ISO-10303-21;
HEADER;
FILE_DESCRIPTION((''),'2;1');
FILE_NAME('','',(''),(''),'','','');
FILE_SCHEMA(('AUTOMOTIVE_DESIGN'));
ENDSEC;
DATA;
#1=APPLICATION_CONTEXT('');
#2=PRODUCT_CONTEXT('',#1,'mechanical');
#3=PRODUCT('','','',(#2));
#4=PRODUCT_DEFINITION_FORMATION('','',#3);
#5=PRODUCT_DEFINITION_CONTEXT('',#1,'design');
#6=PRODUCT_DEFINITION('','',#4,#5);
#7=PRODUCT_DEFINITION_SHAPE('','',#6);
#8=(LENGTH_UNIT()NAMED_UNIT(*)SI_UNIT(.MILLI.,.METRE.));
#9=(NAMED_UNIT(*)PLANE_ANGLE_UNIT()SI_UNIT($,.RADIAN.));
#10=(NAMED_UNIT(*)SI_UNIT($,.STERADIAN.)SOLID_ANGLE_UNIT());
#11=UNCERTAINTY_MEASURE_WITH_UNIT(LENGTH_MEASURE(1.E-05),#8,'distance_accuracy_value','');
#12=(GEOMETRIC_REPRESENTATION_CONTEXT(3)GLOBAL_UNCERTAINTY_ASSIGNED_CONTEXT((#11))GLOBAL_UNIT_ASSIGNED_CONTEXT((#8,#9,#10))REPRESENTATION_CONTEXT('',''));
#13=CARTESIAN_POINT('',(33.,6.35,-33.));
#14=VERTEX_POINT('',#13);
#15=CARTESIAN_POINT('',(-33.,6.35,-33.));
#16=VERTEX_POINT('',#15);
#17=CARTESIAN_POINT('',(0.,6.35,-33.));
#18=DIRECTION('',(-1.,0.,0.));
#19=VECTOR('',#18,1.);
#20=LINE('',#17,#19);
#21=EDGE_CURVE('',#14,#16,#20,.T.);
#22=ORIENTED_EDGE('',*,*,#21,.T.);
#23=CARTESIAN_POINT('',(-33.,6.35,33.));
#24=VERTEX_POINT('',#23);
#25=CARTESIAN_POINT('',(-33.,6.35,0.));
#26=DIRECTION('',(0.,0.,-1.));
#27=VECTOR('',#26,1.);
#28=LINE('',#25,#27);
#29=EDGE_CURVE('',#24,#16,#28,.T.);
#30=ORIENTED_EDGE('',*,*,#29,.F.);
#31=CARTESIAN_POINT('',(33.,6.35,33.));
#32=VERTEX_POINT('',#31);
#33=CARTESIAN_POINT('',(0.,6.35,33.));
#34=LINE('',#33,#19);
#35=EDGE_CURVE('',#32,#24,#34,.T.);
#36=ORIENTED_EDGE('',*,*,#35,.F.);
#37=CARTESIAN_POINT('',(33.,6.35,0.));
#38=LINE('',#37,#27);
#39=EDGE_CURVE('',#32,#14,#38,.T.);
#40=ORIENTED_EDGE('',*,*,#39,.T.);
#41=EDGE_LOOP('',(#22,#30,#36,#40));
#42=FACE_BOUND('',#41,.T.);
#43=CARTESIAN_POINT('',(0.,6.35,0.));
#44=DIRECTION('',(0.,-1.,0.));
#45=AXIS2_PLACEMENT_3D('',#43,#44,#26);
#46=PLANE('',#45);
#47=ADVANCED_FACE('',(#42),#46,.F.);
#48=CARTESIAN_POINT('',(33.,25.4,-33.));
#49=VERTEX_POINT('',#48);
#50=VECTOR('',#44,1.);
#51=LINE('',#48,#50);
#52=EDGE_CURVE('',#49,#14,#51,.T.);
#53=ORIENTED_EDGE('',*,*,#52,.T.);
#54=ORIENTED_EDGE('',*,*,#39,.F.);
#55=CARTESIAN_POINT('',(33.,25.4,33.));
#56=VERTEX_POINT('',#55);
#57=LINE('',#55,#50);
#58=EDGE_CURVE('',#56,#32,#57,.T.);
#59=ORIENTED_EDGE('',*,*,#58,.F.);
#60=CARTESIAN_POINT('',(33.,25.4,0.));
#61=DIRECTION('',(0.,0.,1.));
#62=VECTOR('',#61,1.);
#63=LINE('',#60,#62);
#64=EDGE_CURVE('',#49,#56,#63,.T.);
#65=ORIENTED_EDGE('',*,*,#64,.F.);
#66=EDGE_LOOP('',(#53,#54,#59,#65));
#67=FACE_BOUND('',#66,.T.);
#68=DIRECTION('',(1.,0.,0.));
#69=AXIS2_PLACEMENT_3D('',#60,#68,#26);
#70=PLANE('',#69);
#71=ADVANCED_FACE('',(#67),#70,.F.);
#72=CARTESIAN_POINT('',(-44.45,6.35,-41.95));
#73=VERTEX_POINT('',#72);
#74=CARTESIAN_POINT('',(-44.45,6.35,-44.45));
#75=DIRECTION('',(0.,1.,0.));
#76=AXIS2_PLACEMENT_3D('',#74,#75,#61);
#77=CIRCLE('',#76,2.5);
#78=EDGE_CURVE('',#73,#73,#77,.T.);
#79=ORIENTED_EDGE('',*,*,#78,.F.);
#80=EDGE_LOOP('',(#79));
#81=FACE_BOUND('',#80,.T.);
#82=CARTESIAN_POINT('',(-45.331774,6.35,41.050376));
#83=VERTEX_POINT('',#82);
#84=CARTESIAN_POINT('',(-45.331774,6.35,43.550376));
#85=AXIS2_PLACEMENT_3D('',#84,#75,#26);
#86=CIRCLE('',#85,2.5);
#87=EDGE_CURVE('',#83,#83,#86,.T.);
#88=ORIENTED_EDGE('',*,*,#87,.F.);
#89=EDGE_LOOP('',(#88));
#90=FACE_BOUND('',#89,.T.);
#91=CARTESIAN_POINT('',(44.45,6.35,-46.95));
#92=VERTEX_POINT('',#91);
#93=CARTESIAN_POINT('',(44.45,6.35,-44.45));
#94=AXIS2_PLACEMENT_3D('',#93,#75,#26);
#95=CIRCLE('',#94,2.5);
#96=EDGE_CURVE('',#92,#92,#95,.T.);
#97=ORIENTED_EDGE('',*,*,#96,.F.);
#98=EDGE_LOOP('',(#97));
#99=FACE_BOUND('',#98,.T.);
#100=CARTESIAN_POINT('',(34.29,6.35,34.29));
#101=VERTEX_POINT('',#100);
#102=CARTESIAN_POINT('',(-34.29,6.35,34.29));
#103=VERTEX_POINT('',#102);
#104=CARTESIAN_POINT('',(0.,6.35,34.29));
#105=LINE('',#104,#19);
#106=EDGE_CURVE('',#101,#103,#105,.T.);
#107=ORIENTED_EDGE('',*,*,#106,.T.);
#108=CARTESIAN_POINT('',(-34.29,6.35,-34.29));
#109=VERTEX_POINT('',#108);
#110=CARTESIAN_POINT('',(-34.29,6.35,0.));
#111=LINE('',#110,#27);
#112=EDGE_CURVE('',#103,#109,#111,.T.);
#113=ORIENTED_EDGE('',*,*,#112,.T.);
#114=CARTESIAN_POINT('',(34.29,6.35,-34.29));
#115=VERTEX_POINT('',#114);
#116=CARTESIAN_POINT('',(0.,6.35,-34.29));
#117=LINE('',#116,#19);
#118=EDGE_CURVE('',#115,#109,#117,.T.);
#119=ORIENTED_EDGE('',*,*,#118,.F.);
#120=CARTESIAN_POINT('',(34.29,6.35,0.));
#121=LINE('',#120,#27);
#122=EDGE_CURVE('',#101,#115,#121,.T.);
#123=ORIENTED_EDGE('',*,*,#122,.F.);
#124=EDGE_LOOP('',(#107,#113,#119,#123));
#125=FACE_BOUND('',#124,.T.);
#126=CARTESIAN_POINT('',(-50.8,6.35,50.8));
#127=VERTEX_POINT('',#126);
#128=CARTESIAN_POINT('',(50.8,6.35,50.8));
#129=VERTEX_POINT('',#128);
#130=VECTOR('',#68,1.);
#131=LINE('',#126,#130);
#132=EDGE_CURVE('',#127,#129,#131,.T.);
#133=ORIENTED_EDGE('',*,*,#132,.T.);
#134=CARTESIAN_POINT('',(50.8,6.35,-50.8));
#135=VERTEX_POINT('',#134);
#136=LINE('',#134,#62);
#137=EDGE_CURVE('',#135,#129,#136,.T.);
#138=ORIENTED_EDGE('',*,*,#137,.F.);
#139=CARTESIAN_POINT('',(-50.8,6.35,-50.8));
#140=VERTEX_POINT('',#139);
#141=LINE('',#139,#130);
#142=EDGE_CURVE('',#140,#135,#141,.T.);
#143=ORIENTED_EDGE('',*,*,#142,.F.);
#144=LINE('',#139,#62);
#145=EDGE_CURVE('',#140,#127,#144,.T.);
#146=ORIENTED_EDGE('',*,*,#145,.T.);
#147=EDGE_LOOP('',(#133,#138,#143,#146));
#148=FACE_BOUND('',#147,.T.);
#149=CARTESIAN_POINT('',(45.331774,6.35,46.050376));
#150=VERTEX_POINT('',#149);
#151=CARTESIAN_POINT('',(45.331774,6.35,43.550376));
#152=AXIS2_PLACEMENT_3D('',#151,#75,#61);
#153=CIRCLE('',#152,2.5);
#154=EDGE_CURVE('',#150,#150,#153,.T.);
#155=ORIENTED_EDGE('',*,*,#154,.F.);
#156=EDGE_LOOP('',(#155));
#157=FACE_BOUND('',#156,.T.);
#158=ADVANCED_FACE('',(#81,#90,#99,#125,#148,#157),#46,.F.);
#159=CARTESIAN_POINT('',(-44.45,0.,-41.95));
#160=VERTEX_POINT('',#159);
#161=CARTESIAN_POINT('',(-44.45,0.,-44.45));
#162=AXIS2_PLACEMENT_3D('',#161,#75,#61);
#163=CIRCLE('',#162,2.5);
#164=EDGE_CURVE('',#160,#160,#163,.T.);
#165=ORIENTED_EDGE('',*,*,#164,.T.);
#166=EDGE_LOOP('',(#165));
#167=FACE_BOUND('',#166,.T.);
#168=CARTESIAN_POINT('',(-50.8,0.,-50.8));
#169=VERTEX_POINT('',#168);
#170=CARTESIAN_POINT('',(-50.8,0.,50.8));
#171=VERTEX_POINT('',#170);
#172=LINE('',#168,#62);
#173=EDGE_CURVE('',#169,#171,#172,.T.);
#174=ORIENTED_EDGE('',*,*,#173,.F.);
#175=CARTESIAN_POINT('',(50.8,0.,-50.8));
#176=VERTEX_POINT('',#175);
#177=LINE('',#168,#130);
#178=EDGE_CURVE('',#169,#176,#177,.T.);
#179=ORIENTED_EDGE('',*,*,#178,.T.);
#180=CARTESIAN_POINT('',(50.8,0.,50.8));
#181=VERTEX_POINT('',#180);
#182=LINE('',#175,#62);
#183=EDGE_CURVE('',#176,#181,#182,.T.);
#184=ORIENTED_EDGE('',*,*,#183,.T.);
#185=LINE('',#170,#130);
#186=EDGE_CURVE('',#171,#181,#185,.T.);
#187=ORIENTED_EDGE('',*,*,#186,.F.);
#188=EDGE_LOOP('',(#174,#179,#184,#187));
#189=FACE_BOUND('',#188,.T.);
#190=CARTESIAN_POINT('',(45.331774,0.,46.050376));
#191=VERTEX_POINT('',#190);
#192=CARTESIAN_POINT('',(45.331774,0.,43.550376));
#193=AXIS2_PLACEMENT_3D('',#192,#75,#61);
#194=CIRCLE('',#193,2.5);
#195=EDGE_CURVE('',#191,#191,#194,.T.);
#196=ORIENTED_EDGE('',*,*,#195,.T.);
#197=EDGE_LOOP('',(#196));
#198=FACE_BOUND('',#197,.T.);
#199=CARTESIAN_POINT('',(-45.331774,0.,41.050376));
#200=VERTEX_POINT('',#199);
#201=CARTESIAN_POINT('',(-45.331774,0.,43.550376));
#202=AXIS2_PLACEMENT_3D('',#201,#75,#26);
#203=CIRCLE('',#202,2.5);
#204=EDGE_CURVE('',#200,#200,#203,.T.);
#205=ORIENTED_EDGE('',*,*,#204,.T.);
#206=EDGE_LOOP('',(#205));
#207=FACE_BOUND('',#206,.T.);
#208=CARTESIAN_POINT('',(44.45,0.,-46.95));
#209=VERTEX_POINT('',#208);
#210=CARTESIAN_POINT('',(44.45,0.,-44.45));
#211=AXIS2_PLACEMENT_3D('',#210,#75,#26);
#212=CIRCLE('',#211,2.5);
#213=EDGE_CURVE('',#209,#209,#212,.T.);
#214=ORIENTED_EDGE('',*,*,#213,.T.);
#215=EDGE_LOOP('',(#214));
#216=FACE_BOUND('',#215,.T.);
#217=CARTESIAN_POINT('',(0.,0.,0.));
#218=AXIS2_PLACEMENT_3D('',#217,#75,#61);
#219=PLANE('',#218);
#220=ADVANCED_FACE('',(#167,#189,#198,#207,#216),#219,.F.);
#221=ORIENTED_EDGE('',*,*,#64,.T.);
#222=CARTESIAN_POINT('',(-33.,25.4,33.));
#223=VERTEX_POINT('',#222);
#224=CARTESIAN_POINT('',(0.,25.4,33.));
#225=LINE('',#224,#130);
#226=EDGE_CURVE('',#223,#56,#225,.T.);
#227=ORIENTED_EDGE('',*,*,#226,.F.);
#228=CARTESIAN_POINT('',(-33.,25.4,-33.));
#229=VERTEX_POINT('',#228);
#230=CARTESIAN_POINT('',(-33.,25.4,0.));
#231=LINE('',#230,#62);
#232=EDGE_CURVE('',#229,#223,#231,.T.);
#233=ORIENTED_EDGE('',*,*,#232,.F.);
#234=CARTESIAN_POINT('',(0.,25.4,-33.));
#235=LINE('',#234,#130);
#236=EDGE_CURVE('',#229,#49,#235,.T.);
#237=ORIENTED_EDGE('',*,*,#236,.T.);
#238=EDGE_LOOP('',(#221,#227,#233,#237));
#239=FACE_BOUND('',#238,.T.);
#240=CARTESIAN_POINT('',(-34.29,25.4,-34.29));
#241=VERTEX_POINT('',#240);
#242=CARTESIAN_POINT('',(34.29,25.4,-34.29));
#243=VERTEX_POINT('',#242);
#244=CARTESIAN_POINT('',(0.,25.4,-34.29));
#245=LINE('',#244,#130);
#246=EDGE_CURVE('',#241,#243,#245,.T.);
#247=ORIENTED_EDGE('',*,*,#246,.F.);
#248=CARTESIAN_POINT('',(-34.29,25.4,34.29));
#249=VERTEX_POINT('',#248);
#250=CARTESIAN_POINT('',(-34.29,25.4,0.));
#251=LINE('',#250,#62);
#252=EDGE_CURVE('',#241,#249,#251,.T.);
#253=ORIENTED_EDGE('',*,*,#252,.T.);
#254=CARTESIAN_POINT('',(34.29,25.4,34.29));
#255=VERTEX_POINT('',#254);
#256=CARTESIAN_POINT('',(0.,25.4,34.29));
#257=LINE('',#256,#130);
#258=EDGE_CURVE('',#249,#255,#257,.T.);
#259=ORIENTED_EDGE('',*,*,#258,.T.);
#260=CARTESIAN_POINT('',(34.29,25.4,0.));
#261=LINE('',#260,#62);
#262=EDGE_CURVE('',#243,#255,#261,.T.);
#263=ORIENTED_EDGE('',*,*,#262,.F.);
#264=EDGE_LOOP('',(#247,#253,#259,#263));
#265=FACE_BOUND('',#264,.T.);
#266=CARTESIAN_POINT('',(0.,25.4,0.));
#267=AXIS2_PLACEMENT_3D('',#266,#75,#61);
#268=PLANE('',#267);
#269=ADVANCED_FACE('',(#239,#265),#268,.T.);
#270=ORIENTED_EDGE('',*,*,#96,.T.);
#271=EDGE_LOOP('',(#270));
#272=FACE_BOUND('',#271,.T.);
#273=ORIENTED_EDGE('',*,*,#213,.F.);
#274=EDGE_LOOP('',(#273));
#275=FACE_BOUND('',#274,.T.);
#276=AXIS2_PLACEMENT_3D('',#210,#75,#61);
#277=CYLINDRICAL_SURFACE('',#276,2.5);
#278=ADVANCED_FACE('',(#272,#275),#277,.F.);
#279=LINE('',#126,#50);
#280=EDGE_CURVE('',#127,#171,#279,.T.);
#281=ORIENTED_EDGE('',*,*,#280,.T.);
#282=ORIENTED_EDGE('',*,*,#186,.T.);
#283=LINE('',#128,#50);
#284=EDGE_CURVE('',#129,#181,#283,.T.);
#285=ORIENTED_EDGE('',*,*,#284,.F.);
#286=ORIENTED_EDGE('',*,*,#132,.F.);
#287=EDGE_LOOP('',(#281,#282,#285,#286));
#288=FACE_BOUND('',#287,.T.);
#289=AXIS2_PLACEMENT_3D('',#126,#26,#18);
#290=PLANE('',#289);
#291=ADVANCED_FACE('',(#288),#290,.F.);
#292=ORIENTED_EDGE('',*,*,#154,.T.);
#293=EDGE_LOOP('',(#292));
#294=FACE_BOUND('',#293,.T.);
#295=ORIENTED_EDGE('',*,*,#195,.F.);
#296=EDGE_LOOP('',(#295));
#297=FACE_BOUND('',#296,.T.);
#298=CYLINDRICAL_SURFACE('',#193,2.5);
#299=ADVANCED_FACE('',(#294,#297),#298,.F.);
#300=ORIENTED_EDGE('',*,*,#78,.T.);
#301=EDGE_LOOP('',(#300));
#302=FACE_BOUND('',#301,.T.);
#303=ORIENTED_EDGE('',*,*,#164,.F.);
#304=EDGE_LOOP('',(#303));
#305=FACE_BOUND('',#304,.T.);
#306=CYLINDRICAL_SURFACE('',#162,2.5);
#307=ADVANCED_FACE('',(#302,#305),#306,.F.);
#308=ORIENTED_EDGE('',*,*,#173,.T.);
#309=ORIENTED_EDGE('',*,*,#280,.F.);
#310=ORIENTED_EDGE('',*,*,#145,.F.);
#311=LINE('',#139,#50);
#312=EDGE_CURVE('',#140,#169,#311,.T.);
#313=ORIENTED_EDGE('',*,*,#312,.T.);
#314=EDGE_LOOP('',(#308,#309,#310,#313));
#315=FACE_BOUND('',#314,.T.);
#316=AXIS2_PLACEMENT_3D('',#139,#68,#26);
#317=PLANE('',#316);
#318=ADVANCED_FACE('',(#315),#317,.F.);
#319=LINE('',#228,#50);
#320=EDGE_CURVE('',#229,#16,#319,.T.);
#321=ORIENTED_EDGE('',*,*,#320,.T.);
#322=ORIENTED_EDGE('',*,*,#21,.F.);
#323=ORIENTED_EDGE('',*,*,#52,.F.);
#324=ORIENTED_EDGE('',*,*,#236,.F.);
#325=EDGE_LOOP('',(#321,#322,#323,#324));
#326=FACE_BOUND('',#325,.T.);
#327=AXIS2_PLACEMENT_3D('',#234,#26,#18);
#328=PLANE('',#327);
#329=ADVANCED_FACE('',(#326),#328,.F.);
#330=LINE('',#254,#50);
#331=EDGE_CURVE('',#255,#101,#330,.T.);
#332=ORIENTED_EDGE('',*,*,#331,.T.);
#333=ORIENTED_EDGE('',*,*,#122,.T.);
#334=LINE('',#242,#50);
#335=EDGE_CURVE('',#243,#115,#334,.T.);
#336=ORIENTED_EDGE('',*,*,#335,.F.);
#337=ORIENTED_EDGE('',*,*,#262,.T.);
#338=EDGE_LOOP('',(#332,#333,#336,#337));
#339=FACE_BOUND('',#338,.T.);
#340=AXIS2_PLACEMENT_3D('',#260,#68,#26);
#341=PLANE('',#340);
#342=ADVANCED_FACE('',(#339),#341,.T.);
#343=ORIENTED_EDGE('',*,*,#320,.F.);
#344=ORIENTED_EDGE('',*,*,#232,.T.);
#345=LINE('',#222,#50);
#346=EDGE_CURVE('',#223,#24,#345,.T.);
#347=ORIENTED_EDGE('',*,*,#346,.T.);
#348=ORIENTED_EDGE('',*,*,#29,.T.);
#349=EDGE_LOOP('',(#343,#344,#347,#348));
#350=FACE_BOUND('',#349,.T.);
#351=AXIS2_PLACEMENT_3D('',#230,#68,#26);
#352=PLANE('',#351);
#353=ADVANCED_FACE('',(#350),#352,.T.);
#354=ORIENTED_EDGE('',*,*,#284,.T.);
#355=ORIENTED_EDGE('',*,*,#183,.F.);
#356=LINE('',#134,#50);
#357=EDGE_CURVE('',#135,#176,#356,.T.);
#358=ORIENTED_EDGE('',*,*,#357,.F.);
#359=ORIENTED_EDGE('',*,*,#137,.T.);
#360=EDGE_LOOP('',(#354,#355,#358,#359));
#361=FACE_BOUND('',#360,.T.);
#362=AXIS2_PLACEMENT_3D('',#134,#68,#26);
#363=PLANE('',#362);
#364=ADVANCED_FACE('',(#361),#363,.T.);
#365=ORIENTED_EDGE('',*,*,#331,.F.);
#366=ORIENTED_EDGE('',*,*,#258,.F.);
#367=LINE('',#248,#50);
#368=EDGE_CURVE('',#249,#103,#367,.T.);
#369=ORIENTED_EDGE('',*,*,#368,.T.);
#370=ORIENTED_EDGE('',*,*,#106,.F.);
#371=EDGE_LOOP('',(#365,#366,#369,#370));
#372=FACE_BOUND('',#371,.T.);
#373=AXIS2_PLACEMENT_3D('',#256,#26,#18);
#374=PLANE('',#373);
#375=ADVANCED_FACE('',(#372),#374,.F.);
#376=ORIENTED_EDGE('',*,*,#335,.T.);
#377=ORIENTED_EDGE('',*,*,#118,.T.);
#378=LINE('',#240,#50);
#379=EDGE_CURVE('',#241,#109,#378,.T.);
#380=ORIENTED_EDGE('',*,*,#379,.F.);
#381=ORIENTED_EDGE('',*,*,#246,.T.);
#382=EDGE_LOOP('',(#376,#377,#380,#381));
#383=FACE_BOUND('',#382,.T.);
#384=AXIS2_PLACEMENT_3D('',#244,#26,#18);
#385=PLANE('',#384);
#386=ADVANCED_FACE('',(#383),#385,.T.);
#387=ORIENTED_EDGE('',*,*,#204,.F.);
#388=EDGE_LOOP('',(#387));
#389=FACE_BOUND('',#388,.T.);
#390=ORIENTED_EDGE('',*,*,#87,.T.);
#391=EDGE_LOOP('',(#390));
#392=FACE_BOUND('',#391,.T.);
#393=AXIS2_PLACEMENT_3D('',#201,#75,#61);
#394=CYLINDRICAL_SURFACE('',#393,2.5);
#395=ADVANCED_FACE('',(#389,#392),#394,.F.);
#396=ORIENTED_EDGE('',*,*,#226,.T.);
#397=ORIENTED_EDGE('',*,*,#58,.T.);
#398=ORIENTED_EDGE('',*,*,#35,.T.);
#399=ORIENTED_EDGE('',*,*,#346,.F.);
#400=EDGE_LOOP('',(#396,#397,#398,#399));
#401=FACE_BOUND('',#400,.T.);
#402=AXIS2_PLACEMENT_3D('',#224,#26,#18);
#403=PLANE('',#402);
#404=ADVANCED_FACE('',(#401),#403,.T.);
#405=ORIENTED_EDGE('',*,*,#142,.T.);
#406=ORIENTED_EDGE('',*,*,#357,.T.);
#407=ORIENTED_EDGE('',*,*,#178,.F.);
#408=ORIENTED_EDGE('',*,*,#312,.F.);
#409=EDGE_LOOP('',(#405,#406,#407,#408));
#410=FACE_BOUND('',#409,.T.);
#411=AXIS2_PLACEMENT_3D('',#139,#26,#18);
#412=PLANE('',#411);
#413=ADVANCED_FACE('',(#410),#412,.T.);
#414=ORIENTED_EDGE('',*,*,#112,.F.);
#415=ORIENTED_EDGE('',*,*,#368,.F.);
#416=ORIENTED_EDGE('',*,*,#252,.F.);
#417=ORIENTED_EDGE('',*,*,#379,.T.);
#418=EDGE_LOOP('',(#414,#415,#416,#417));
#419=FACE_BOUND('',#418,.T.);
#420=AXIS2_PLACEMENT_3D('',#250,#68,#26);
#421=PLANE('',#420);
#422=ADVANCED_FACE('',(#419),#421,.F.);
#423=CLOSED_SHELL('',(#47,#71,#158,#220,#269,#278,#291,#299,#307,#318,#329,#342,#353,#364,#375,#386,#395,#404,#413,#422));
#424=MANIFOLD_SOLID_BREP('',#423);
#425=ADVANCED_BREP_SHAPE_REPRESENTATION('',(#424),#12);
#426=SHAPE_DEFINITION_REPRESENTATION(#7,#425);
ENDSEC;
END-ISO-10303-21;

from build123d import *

# Parameters (mm, degrees)
SKETCH1_W           = 68.58
SKETCH1_H           = 68.58
SKETCH1_W_2         = 66
SKETCH1_H_2         = 66
BOSS_EXTRUDE1_DEPTH = 25.4
SKETCH2_W           = 101.6
SKETCH2_H           = 101.6
BOSS_EXTRUDE2_DEPTH = 6.35
SKETCH3_R           = 2.5
CUT_EXTRUDE1_DEPTH  = 7.35


with BuildPart() as part:
    # Sketch1 → Boss-Extrude1 (new body)
    with BuildSketch(Plane(origin=(0, 0, 0), x_dir=(1, 0, 0), z_dir=(0, 1, 0))):
        Rectangle(SKETCH1_W, SKETCH1_H)
        Rectangle(SKETCH1_W_2, SKETCH1_H_2, mode=Mode.SUBTRACT)
    extrude(amount=BOSS_EXTRUDE1_DEPTH)

    # Sketch2 → Boss-Extrude2 (add)
    with BuildSketch(Plane(origin=(0, 0, 0), x_dir=(1, 0, 0), z_dir=(0, 1, 0))):
        Rectangle(SKETCH2_W, SKETCH2_H)
    extrude(amount=BOSS_EXTRUDE2_DEPTH)

    # Sketch3 → Cut-Extrude1 (cut, through all)
    with BuildSketch(Plane(origin=(0, 6.35, 0), x_dir=(1, 0, 0), z_dir=(0, 1, 0))):
        with Locations((-44.45, 44.45)):
            Circle(SKETCH3_R)
        with Locations((-45.331774214, -43.550375964)):
            Circle(SKETCH3_R)
        with Locations((45.331774214, -43.550375964)):
            Circle(SKETCH3_R)
        with Locations((44.45, 44.45)):
            Circle(SKETCH3_R)
    extrude(amount=-CUT_EXTRUDE1_DEPTH, mode=Mode.SUBTRACT)


solid = part.part
